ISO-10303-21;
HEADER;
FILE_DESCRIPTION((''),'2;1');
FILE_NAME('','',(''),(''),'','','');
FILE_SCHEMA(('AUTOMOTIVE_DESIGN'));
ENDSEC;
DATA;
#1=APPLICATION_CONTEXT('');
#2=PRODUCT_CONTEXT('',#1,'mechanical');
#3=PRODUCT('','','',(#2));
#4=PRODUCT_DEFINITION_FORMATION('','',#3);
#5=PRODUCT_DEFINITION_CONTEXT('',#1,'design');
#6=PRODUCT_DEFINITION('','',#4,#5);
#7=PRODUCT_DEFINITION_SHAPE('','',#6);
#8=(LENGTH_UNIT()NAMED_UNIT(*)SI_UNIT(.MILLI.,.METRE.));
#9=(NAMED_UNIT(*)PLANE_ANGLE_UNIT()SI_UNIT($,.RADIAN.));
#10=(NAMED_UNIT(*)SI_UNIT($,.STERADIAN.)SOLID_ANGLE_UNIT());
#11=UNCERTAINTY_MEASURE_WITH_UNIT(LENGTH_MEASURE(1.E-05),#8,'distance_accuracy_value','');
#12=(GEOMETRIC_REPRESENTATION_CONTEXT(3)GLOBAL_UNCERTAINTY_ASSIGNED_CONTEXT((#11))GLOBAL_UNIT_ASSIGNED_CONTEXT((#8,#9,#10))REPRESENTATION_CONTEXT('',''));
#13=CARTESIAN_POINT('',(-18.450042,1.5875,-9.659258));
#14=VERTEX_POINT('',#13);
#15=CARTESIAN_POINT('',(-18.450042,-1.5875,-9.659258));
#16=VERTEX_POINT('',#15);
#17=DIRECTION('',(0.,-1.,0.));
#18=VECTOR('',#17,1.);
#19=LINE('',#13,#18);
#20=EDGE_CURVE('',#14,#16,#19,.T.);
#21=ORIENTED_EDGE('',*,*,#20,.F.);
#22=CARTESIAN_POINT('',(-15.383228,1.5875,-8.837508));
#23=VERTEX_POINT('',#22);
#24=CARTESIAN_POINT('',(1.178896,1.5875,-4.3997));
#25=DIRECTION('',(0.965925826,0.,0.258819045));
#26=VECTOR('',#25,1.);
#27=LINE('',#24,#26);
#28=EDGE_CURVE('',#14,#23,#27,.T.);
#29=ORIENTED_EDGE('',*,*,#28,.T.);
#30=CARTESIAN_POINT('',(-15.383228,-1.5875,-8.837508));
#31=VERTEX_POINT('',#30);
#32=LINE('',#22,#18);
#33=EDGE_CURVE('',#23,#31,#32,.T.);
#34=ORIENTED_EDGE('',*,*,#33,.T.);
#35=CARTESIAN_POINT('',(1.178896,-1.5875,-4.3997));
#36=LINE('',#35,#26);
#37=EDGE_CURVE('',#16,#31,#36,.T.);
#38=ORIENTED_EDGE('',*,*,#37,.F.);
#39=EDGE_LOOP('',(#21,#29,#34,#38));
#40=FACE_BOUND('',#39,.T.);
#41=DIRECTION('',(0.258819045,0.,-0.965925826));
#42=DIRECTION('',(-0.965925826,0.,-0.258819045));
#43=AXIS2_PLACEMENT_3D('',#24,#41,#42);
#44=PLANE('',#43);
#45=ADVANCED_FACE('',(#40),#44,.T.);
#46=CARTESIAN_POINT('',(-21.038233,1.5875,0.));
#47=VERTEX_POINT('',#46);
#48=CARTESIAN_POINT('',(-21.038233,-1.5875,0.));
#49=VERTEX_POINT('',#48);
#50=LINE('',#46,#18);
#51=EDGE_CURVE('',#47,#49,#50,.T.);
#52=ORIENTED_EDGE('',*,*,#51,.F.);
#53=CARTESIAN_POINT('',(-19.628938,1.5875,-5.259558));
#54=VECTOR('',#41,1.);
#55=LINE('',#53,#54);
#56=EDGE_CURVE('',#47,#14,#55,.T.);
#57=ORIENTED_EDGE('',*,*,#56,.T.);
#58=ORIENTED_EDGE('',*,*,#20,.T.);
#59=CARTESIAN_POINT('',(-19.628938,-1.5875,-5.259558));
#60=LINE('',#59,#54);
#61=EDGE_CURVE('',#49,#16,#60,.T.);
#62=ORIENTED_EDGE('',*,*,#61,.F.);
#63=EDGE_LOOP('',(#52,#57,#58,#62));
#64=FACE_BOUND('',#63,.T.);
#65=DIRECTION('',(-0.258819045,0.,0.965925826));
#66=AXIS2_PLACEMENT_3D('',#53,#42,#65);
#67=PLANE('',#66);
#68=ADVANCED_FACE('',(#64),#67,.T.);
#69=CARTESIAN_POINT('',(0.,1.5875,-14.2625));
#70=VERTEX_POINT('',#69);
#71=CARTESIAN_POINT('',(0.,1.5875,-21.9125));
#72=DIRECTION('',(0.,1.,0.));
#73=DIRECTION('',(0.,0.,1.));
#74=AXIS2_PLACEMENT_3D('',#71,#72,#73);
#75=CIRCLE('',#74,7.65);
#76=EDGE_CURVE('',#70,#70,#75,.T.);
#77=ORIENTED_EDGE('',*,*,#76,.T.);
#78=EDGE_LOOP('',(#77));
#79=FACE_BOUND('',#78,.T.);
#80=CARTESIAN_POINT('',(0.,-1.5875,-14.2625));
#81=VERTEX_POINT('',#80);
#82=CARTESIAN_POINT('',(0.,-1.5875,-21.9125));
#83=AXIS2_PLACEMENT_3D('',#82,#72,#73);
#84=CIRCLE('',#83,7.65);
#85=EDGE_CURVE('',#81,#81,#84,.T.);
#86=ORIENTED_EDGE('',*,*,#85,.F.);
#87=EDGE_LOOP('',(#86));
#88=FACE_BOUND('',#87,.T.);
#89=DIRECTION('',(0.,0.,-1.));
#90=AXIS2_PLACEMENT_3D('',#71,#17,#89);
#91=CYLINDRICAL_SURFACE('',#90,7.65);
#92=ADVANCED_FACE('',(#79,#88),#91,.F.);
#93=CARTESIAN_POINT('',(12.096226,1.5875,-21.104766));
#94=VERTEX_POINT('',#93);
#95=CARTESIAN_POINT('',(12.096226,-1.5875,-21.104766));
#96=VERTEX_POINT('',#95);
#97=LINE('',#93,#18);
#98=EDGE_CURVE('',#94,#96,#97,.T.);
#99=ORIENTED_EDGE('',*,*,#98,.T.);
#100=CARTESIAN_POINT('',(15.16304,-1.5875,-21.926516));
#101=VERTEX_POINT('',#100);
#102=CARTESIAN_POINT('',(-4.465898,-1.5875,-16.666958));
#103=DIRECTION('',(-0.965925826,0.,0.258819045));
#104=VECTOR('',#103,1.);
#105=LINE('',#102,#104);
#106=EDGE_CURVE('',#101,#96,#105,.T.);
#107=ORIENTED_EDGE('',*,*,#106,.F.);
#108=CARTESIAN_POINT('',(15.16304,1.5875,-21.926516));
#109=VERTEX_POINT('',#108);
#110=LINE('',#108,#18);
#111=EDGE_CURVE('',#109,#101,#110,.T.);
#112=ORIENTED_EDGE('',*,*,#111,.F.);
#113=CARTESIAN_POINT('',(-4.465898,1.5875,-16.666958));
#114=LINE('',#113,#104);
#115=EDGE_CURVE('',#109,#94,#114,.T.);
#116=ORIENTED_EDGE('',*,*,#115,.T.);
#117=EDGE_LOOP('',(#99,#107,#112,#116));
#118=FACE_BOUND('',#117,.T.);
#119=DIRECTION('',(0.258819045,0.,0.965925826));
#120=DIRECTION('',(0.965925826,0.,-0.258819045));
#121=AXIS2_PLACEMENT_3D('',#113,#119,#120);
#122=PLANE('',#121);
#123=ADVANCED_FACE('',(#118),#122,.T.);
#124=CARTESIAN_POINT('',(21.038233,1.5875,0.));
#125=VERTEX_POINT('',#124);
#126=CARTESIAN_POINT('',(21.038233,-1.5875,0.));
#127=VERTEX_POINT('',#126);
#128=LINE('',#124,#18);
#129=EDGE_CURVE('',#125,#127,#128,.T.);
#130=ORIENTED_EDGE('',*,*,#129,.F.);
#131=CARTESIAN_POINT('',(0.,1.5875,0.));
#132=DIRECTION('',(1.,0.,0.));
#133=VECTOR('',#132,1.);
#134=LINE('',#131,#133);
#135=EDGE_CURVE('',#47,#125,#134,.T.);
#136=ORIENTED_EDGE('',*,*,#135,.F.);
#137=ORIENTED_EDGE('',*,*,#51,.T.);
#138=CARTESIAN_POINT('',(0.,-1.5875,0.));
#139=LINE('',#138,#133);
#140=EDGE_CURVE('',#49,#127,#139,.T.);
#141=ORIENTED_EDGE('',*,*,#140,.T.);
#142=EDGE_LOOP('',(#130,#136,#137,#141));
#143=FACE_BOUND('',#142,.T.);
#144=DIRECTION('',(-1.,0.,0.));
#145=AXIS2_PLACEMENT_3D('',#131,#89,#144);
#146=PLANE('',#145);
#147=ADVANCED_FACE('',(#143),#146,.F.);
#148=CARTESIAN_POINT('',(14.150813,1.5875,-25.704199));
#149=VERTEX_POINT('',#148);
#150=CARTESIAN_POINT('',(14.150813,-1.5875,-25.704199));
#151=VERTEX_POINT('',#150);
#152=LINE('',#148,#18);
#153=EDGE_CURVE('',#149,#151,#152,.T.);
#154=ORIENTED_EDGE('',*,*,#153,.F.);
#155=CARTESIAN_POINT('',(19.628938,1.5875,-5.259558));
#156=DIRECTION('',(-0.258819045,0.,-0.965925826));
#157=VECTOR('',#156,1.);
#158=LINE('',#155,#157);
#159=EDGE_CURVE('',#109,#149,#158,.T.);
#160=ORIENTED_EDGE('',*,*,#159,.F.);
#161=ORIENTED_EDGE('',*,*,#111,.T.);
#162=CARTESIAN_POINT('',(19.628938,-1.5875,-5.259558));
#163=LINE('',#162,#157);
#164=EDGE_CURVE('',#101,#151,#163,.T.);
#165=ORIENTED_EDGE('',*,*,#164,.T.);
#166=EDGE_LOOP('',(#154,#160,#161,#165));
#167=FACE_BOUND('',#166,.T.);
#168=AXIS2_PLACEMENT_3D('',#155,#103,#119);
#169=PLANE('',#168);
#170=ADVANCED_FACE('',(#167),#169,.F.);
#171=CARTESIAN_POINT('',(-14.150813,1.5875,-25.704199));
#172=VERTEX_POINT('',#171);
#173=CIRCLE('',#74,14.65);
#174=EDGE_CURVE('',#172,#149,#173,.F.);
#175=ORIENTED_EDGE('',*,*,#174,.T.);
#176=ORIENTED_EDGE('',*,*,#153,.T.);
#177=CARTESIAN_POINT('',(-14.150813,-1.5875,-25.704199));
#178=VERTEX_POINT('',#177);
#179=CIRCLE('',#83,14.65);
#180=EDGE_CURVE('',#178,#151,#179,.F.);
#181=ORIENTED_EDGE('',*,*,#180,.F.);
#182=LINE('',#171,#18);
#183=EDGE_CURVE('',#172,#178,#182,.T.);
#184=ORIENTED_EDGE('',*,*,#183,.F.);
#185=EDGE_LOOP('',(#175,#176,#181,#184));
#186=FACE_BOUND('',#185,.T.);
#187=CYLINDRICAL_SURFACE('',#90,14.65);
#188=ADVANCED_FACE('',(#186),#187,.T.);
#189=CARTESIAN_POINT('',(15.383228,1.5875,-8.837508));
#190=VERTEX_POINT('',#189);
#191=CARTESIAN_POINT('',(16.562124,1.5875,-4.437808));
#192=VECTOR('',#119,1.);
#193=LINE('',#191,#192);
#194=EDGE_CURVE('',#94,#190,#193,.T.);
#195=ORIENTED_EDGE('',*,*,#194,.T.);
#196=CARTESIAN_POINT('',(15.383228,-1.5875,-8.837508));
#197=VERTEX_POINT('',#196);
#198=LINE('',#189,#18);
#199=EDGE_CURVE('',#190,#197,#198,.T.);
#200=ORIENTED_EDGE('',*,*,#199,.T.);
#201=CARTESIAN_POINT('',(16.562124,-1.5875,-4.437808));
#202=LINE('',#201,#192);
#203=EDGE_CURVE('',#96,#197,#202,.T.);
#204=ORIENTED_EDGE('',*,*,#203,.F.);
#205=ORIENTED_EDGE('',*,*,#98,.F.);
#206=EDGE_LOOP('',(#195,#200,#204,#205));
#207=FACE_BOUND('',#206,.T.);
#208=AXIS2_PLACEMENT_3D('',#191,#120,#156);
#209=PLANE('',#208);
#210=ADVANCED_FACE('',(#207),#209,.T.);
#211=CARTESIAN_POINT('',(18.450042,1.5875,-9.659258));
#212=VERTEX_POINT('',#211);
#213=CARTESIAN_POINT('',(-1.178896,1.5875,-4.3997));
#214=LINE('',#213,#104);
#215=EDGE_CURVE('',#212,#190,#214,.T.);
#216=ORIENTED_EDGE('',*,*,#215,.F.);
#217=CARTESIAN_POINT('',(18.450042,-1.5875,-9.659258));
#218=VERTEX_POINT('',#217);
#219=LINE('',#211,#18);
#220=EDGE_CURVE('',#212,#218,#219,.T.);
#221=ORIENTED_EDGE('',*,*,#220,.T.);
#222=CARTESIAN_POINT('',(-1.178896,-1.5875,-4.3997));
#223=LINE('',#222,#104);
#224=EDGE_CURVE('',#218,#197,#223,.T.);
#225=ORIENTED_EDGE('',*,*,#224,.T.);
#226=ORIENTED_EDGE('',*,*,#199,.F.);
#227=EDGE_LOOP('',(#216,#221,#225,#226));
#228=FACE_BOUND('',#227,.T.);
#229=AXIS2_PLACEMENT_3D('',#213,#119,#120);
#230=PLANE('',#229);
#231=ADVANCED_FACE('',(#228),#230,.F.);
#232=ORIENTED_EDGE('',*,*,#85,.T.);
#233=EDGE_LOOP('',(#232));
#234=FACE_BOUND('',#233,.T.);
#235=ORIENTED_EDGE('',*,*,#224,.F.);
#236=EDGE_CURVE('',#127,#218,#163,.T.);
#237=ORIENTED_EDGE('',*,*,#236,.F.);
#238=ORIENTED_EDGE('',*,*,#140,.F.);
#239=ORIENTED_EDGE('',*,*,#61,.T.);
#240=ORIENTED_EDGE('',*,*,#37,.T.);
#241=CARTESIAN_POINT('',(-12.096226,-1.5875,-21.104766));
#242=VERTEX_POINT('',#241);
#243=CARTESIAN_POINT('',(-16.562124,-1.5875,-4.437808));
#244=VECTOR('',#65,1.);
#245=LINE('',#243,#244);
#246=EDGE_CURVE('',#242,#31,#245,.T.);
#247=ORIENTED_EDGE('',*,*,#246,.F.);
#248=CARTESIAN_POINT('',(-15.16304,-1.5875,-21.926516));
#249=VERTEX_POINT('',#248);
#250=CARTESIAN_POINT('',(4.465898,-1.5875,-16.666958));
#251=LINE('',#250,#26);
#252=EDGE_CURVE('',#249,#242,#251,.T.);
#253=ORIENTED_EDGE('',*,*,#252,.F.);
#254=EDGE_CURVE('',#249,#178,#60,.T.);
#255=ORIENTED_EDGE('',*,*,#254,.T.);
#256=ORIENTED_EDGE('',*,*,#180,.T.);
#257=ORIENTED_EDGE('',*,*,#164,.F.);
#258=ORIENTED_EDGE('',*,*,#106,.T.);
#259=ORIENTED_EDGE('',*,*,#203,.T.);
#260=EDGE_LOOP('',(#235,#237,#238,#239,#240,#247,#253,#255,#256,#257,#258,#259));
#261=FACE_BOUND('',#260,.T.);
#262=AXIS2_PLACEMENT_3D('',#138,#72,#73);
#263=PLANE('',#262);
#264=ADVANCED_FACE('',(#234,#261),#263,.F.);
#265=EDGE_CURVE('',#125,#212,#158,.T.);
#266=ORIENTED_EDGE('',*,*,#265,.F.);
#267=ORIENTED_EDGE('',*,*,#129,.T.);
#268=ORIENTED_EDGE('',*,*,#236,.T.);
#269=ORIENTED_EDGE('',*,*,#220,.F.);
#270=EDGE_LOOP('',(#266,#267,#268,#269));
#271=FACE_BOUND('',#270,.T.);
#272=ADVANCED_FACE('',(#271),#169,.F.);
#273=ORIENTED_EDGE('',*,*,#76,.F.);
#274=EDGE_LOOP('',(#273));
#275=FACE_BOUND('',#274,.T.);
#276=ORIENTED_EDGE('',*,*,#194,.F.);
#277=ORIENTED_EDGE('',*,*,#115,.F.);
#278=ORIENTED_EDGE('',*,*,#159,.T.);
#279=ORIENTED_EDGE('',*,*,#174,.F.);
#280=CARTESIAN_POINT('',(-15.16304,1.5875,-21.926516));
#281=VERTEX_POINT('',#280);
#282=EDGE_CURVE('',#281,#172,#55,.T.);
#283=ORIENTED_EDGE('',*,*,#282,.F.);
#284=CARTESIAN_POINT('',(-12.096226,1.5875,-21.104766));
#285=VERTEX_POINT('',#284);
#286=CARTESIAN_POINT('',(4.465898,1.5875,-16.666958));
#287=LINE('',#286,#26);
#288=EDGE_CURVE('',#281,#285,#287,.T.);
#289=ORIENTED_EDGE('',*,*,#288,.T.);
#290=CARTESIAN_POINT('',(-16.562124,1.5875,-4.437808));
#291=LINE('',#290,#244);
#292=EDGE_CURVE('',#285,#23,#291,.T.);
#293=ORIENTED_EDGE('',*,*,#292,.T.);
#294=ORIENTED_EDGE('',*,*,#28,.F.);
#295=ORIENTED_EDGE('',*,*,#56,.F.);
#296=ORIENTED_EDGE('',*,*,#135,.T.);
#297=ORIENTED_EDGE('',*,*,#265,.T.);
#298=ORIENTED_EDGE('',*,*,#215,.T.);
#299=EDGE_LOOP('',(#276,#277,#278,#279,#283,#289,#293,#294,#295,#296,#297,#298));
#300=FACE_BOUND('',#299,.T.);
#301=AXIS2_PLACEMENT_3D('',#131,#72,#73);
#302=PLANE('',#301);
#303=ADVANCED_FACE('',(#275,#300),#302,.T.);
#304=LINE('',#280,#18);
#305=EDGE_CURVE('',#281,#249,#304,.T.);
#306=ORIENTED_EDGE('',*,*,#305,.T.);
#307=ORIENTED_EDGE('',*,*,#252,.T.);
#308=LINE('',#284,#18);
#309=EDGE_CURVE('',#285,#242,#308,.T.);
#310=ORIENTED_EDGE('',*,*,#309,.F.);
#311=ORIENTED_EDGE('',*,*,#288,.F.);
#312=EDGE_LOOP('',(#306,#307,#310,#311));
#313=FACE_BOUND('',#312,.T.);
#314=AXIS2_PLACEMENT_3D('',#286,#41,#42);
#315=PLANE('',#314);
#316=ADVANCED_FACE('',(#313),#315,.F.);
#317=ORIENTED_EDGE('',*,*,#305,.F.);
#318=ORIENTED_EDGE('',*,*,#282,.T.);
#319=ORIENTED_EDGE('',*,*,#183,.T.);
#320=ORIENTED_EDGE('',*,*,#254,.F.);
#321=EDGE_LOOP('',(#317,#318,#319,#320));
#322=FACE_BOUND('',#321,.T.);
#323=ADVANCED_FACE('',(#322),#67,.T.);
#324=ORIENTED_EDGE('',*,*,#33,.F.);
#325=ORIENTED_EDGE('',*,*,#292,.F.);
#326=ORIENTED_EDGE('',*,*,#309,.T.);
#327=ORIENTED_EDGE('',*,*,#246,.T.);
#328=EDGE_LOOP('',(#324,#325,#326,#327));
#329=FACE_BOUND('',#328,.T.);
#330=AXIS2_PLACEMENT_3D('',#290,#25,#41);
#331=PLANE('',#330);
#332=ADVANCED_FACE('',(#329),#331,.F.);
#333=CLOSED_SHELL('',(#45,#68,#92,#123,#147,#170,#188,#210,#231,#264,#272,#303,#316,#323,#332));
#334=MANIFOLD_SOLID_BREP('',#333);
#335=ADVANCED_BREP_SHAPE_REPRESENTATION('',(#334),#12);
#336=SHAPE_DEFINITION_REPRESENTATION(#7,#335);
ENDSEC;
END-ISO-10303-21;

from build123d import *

# Parameters (mm, degrees)
SKETCH1_R           = 7.65
BOSS_EXTRUDE1_DEPTH = 1.5875


with BuildPart() as part:
    # Sketch1 → Boss-Extrude1 (new, symmetric)
    with BuildSketch(Plane(origin=(0, 0, 0), x_dir=(1, 0, 0), z_dir=(0, 1, 0))):
        with BuildLine():
            Line((-18.450042271, 9.659258263), (-21.038232722, 0))
            Line((-21.038232722, 0), (21.038232722, 0))
            Line((21.038232722, 0), (18.450042271, 9.659258263))
            Line((18.450042271, 9.659258263), (15.383227773, 8.837507795))
            Line((15.383227773, 8.837507795), (12.0962259, 21.104765789))
            Line((12.0962259, 21.104765789), (15.163040398, 21.926516257))
            Line((15.163040398, 21.926516257), (14.150813355, 25.704199011))
            ThreePointArc((14.150813355, 25.704199011), (0, 36.5625), (-14.150813355, 25.704199011))
            Line((-14.150813355, 25.704199011), (-15.163040398, 21.926516257))
            Line((-15.163040398, 21.926516257), (-12.0962259, 21.104765789))
            Line((-12.0962259, 21.104765789), (-15.383227773, 8.837507795))
            Line((-15.383227773, 8.837507795), (-18.450042271, 9.659258263))
        make_face()
        with Locations((0, 21.9125)):
            Circle(SKETCH1_R, mode=Mode.SUBTRACT)
    extrude(amount=BOSS_EXTRUDE1_DEPTH, both=True)


solid = part.part
